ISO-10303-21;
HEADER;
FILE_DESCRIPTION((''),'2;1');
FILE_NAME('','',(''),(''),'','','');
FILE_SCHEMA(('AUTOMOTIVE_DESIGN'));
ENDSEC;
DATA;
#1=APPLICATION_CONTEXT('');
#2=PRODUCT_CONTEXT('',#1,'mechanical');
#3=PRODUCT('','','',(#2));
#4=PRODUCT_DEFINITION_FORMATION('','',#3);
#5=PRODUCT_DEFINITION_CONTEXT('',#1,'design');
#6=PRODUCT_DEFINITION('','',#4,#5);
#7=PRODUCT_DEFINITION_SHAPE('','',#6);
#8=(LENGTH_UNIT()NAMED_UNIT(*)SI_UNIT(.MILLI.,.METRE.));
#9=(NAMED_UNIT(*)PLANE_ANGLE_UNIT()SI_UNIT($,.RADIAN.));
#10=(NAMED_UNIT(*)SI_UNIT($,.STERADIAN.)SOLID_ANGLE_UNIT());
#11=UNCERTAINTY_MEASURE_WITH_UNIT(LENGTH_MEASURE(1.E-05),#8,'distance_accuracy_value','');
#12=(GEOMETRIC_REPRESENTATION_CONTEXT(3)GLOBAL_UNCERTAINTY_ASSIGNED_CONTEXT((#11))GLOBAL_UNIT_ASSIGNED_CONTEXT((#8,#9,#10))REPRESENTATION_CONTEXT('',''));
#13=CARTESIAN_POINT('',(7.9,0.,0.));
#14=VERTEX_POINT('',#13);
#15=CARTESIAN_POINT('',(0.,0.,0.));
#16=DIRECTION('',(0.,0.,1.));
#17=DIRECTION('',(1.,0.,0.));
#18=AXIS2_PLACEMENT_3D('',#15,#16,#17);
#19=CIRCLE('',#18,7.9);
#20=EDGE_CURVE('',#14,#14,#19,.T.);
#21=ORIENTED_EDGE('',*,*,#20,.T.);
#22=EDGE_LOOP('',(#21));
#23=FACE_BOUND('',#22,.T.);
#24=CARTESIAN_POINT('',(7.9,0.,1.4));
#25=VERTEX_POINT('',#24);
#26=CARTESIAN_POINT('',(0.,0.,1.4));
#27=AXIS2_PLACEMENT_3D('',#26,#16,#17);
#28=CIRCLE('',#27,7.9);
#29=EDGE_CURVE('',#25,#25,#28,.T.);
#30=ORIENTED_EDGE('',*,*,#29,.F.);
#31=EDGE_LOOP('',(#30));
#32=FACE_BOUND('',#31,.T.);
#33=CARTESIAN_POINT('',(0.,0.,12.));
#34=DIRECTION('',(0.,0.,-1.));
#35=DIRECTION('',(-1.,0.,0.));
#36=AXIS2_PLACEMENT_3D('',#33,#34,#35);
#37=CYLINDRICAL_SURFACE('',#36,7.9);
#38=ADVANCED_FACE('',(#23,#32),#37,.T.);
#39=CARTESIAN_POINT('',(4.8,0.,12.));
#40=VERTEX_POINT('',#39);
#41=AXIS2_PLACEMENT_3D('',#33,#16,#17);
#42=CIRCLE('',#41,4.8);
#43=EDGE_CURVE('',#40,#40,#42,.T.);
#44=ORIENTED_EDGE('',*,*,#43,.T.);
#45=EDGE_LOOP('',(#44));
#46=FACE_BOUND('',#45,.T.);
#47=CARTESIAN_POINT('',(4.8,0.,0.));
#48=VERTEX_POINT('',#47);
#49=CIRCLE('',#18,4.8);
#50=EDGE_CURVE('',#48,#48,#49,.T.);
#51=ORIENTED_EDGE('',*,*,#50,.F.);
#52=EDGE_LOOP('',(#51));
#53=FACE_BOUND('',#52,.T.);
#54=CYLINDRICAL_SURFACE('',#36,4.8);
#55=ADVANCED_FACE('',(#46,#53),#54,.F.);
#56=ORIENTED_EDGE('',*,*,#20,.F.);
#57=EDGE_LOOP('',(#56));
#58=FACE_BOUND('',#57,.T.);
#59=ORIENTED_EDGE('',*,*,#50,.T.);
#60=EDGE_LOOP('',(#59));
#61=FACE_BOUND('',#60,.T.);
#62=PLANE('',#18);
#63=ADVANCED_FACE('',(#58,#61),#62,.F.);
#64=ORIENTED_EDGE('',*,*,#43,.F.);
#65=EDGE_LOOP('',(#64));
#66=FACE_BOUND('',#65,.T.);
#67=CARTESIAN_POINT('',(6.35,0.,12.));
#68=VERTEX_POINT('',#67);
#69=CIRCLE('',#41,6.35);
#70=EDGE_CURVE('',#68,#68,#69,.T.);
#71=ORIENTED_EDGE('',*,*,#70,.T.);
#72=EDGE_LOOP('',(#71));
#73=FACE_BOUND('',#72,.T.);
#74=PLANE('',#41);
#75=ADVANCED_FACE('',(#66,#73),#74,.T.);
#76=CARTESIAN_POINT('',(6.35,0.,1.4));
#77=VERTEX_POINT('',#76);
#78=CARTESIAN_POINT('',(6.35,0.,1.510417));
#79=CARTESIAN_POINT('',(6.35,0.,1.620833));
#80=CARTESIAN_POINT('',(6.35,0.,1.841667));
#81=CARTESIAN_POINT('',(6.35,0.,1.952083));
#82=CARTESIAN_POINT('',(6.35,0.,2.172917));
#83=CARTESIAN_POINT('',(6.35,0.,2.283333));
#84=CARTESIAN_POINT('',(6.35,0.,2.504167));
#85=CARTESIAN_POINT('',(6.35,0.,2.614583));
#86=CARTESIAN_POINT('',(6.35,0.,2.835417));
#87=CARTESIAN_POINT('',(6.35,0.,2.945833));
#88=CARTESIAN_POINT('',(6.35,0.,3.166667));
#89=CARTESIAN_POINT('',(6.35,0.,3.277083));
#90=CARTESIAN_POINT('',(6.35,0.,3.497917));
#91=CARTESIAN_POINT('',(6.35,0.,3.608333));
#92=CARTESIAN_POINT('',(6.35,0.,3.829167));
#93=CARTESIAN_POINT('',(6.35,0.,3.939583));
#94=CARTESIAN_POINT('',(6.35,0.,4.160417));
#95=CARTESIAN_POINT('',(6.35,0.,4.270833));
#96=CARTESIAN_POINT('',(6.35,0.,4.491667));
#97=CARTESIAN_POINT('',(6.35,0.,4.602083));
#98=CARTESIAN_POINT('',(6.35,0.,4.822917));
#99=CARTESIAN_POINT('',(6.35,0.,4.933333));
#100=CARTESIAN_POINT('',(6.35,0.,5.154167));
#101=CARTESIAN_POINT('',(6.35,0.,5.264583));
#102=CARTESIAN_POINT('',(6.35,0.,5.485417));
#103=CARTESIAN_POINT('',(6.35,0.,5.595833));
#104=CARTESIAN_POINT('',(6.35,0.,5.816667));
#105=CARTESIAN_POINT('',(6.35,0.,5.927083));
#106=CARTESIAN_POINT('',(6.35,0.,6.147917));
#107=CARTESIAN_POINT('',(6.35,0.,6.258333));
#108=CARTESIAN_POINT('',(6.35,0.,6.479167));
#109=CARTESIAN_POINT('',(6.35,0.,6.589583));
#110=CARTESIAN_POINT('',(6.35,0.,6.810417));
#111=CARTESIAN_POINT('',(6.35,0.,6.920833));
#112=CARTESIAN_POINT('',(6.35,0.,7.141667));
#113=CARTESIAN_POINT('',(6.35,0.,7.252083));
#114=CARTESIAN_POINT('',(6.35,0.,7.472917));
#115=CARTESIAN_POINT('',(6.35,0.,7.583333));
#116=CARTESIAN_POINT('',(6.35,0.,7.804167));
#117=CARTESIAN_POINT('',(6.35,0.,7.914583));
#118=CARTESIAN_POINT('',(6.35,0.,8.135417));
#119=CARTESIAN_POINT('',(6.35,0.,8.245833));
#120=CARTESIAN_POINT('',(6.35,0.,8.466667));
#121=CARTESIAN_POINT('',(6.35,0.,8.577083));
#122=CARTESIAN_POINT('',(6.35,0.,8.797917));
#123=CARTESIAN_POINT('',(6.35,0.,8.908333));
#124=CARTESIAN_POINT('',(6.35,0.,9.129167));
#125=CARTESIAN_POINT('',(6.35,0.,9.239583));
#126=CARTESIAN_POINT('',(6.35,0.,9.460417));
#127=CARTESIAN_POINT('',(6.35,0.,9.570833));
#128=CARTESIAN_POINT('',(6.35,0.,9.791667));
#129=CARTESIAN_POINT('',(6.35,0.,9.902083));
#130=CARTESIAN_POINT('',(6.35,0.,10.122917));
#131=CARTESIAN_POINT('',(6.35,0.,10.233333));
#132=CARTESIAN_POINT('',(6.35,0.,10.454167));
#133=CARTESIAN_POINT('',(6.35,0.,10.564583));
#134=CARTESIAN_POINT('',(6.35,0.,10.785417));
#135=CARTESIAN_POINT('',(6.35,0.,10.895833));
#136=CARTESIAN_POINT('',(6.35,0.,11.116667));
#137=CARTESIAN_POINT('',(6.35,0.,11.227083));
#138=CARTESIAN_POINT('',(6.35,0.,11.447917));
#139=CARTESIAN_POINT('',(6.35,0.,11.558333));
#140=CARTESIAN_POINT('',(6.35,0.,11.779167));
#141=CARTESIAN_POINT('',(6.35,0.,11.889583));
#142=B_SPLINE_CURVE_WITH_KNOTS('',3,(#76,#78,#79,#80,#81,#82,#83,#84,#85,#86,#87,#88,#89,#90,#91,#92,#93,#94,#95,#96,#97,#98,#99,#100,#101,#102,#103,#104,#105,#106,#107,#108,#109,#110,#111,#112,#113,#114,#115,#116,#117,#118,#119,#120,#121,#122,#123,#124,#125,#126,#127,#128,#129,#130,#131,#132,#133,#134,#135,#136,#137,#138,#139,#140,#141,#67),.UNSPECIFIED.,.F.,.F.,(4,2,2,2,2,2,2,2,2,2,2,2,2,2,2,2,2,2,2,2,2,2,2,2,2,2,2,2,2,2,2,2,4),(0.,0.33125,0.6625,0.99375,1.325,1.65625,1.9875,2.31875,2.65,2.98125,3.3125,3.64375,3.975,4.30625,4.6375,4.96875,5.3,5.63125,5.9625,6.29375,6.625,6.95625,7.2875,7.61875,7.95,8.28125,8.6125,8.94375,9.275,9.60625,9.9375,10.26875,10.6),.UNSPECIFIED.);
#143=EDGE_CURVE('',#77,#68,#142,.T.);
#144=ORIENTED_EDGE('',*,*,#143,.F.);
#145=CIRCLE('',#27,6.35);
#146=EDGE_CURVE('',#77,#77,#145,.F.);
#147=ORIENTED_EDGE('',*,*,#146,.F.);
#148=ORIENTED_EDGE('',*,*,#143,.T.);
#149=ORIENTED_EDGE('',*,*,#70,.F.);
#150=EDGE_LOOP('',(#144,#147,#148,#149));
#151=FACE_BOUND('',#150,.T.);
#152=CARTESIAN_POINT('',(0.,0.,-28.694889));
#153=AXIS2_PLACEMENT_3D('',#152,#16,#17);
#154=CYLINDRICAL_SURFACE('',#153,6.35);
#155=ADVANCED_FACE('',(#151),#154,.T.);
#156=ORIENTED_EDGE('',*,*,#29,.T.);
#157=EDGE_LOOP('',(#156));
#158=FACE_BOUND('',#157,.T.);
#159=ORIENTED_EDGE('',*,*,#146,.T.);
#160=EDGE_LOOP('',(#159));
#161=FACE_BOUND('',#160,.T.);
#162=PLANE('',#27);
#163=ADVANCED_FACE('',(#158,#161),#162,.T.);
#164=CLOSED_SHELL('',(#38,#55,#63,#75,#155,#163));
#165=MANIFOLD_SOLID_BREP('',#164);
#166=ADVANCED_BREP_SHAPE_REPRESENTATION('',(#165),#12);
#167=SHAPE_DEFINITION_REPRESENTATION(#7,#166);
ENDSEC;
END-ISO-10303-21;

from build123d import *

# Parameters (mm, degrees)
SKETCH1_R           = 7.9
SKETCH1_R_2         = 4.8
BOSS_EXTRUDE1_DEPTH = 12
SKETCH2_R           = 10.145175322
SKETCH2_R_2         = 6.35
CUT_EXTRUDE1_DEPTH  = 10.6


with BuildPart() as part:
    # Sketch1 → Boss-Extrude1 (new body)
    with BuildSketch(Plane.XY):
        Circle(SKETCH1_R)
        Circle(SKETCH1_R_2, mode=Mode.SUBTRACT)
    extrude(amount=BOSS_EXTRUDE1_DEPTH)

    # Sketch2 → Cut-Extrude1 (cut)
    with BuildSketch(Plane.XY.offset(12)):
        Circle(SKETCH2_R)
        Circle(SKETCH2_R_2, mode=Mode.SUBTRACT)
    extrude(amount=-CUT_EXTRUDE1_DEPTH, mode=Mode.SUBTRACT)


solid = part.part
